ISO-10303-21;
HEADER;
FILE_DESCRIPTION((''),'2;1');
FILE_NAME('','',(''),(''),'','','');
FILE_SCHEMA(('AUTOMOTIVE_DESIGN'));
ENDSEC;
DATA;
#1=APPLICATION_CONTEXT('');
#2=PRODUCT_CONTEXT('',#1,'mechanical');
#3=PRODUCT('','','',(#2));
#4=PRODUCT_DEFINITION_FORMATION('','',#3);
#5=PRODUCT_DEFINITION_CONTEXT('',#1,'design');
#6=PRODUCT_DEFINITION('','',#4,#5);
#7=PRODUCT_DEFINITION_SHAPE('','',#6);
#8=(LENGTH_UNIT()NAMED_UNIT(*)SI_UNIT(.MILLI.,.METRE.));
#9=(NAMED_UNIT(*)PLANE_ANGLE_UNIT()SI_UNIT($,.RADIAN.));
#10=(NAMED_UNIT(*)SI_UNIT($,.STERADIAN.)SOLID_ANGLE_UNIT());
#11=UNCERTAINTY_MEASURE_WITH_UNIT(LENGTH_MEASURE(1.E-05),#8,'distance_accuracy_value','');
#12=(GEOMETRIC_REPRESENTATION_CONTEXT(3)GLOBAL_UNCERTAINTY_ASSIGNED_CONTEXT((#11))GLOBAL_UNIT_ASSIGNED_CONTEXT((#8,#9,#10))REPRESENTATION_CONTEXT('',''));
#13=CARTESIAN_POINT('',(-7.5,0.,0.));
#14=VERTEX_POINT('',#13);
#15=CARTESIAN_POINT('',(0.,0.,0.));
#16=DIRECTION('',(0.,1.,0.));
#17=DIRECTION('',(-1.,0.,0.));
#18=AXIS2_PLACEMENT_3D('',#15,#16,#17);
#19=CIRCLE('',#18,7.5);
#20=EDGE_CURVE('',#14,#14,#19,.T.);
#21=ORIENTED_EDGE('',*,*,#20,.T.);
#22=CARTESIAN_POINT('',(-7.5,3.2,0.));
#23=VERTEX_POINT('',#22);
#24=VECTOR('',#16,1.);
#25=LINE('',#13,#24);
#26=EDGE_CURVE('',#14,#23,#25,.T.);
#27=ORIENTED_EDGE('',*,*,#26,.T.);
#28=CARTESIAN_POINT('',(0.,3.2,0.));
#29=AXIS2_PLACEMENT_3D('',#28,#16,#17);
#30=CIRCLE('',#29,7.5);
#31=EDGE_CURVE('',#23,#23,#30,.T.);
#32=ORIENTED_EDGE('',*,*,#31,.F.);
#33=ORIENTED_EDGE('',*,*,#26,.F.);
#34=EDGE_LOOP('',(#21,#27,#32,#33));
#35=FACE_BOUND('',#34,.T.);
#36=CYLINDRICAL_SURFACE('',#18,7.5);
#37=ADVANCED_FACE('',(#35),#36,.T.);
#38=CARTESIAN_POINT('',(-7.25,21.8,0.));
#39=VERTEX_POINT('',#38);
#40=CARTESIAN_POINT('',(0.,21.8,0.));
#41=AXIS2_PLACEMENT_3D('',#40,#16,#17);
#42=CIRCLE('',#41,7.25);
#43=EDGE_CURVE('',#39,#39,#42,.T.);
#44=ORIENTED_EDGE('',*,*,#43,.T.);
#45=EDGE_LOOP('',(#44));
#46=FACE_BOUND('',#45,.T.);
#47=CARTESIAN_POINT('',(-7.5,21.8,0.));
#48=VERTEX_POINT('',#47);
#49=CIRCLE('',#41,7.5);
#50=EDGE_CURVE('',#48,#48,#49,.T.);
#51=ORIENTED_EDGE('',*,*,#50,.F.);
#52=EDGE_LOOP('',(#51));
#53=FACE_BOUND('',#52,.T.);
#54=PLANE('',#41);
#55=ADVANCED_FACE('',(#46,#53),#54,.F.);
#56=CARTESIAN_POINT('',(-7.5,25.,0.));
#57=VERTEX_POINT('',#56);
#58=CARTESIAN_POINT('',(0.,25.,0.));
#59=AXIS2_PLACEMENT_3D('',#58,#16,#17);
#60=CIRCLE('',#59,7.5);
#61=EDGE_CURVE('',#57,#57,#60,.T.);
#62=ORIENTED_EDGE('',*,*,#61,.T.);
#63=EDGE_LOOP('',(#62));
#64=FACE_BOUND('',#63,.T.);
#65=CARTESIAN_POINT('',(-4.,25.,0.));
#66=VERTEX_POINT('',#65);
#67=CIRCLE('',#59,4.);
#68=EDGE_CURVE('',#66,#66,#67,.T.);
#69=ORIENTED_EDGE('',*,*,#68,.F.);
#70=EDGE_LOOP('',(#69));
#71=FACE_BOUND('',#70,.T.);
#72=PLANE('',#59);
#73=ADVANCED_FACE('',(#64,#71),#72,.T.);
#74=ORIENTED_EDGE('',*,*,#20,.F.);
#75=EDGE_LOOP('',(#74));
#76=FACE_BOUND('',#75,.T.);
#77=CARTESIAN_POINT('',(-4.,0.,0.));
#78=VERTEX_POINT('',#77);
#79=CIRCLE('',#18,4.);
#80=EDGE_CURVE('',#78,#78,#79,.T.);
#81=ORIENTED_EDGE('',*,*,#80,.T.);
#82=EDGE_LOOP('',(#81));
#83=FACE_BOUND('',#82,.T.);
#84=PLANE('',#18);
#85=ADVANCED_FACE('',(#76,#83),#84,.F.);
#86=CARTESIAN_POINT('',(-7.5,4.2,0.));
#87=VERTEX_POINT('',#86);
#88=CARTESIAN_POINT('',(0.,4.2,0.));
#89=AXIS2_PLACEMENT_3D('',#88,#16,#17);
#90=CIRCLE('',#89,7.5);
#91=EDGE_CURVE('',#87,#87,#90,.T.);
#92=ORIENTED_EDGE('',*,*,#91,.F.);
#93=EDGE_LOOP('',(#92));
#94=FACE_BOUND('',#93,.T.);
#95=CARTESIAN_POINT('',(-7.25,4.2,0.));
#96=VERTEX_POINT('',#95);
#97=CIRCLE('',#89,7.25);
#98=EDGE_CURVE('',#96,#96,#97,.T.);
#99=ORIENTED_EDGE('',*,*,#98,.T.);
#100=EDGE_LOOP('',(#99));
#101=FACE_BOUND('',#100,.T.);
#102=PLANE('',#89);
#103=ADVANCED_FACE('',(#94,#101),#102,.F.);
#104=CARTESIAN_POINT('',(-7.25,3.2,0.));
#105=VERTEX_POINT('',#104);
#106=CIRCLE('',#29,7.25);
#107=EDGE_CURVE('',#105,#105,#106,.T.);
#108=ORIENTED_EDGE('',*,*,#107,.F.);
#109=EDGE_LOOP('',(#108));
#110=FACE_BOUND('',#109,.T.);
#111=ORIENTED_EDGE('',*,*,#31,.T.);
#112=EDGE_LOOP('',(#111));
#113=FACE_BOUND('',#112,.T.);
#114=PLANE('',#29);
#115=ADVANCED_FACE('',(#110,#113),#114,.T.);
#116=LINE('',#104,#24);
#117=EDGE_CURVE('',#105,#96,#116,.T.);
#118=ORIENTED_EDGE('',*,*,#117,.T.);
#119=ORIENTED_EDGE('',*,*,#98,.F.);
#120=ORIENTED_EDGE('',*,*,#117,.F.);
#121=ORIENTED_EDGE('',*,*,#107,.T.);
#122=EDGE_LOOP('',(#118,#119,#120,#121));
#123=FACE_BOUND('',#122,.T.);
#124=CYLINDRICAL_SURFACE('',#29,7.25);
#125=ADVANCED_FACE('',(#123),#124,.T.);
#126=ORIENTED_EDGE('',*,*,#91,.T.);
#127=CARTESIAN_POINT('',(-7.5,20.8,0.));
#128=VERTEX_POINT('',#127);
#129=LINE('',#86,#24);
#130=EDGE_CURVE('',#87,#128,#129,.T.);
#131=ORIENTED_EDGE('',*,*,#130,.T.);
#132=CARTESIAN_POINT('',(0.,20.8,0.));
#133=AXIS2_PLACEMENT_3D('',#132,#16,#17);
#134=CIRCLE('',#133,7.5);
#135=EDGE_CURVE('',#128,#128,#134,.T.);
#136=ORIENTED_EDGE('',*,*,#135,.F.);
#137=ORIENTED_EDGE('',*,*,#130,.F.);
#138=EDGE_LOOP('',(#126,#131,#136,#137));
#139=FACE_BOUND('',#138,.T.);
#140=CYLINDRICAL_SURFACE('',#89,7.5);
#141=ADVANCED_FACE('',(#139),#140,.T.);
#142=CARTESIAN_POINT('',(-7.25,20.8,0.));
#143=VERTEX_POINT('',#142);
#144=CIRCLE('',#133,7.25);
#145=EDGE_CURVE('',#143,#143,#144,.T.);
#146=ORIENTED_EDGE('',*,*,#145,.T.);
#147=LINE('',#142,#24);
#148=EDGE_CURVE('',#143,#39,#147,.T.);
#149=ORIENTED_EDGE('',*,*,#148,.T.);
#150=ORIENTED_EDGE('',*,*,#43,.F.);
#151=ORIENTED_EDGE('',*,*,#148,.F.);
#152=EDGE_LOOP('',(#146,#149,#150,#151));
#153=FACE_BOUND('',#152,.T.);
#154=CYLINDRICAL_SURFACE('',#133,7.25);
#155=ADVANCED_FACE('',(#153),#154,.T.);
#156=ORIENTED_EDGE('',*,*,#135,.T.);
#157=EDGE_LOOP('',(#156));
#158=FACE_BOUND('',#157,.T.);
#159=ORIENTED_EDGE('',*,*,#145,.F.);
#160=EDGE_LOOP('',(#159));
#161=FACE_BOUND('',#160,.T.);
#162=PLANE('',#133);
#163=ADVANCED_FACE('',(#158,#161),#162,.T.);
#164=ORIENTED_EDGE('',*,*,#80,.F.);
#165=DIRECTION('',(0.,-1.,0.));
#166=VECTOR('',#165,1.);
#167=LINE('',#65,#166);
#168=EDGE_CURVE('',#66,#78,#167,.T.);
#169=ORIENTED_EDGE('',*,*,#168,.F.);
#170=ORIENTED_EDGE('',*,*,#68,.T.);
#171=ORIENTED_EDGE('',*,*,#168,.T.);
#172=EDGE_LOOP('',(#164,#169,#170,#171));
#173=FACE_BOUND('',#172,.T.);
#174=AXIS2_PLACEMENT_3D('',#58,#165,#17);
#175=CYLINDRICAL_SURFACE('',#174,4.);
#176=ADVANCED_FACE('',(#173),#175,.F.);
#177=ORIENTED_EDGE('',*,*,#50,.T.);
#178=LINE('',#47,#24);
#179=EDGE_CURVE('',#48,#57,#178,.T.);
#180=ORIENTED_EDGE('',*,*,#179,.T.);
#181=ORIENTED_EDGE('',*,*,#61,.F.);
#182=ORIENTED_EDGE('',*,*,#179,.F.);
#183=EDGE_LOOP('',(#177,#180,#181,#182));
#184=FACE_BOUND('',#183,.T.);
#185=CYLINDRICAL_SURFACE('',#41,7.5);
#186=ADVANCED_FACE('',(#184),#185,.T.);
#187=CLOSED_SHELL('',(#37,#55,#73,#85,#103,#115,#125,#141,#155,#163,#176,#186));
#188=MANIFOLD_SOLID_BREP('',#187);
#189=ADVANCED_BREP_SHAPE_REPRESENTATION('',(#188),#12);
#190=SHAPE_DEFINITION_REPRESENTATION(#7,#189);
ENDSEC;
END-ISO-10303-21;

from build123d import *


with BuildPart() as part:
    # Sketch → Revolution (revolve)
    with BuildSketch(Plane.XY):
        Polygon((-7.5, 25), (-4, 25), (-4, 0), (-7.5, 0), (-7.5, 3.2), (-7.25, 3.2), (-7.25, 4.2), (-7.5, 4.2), (-7.5, 20.8), (-7.25, 20.8), (-7.25, 21.8), (-7.5, 21.8), align=None)
    revolve(axis=Axis((0, 0, 0), (0, 1, 0)))


solid = part.part
